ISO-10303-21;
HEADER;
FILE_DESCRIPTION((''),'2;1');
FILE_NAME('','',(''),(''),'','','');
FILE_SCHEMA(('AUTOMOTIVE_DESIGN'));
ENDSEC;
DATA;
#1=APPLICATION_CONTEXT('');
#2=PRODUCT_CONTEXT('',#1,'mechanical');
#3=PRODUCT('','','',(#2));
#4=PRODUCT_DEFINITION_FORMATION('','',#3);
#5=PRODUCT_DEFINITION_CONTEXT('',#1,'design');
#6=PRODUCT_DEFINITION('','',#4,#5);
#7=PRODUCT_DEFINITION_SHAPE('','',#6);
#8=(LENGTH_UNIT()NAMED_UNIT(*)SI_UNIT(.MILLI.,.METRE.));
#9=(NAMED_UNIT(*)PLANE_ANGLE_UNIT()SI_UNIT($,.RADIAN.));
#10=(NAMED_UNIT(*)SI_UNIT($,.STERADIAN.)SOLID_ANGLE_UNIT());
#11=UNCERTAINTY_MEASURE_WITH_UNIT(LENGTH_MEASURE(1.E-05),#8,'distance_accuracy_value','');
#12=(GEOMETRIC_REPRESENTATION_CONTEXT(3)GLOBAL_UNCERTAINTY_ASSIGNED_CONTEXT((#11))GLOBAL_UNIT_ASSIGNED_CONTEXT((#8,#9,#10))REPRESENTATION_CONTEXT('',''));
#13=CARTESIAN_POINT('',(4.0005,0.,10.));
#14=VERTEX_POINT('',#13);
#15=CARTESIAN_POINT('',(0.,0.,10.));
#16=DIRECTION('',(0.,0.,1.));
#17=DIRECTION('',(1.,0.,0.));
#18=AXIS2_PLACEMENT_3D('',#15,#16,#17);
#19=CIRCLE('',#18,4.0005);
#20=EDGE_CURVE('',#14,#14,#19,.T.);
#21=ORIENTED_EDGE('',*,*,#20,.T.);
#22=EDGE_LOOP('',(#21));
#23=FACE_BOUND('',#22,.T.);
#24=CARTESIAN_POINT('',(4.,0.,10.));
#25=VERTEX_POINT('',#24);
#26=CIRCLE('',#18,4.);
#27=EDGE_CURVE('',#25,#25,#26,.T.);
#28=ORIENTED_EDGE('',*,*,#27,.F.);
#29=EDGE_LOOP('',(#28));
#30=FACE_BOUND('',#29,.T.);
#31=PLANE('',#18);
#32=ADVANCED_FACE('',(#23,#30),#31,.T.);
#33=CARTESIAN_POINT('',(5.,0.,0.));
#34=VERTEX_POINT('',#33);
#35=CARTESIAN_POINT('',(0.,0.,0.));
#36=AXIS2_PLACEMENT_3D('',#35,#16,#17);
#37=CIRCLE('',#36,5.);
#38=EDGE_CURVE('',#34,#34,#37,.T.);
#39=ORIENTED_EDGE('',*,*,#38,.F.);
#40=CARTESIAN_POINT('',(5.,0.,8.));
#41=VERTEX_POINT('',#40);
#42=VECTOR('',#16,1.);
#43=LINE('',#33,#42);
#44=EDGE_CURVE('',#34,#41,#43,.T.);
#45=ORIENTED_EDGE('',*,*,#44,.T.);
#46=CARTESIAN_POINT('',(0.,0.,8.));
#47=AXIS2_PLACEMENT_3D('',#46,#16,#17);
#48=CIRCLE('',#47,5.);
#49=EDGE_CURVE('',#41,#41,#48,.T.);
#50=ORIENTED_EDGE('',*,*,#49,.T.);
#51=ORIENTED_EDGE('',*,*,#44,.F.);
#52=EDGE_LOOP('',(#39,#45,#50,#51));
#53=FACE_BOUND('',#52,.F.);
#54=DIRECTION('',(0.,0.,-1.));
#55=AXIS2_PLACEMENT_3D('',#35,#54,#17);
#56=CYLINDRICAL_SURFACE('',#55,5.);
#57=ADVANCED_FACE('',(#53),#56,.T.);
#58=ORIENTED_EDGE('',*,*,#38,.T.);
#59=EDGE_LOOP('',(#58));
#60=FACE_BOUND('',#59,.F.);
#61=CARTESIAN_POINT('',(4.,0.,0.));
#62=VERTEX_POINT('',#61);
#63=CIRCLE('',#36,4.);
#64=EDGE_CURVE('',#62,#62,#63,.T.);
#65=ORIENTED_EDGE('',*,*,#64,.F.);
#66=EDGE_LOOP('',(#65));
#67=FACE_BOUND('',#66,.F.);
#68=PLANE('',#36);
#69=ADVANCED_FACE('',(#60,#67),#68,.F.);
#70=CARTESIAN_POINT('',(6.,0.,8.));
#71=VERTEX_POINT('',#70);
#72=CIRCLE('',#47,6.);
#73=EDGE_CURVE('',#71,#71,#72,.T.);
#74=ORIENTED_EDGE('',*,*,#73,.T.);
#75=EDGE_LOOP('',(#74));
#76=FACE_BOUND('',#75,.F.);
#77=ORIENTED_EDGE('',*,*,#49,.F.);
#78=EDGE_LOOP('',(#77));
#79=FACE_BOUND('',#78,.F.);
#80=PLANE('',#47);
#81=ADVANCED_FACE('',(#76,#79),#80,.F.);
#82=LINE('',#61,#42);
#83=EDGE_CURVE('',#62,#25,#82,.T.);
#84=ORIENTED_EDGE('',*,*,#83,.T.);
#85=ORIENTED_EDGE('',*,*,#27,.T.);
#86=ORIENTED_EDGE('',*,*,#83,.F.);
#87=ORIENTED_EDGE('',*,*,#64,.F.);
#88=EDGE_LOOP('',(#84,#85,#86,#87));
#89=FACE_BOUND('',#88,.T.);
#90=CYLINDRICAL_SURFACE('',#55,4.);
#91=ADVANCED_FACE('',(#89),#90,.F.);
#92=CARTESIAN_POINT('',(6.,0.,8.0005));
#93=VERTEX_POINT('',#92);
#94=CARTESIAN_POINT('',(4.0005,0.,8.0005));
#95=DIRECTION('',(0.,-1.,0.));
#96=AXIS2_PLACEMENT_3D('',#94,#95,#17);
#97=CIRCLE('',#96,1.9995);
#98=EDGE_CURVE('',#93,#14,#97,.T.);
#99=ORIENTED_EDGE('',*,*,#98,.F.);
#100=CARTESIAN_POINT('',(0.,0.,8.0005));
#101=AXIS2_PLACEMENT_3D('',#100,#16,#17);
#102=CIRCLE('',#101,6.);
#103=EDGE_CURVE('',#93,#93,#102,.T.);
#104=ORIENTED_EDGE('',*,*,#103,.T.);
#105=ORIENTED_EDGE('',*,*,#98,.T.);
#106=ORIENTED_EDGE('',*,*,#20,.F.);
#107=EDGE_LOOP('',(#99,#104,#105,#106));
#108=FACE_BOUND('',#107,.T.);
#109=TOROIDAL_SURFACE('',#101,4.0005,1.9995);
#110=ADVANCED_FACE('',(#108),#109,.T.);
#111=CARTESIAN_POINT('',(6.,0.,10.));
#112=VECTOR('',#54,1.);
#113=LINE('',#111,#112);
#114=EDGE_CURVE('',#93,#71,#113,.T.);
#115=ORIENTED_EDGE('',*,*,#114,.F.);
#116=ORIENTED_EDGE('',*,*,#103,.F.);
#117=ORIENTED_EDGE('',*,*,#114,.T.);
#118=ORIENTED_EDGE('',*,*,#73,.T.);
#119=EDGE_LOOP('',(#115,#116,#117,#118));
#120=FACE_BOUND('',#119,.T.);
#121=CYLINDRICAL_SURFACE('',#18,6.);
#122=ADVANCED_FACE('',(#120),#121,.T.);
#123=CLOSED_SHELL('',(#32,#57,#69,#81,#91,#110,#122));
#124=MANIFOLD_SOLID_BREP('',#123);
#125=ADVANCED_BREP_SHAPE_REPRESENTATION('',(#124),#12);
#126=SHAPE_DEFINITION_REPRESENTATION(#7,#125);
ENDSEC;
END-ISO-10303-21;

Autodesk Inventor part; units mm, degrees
ref_plane "YZ Plane" through (0, 0, 0) normal (1, 0, 0) x (0, 1, 0)
ref_plane "XZ Plane" through (0, 0, 0) normal (0, 1, 0) x (-1, 0, 0)
ref_plane "XY Plane" through (0, 0, 0) normal (0, 0, 1) x (1, 0, 0)
sketch "Эскиз1" plane through (0, 0, 0) normal (0, 0, 1) x (1, 0, 0)
  circle A0 centre (0, 0) radius 4
  circle A1 centre (0, 0) radius 5
  dimension "d0" = 8
  dimension "d1" = 10
extrude "Выдавливание1" add sketch "Эскиз1" along normal blind 10
sketch "Эскиз2" plane through (0, 0, 10) normal (0, 0, 1) x (1, 0, 0)
  circle A0 centre (0, 0) radius 6
  circle A1 centre (0, 0) radius 5 projected
  dimension "d4" = 12
extrude "Выдавливание2" add sketch "Эскиз2" against normal blind 2
fillet "Сопряжение1" radius 2 1 edges at (-6, 0, 10)
properties part number "hole_big" material "Латунь"
